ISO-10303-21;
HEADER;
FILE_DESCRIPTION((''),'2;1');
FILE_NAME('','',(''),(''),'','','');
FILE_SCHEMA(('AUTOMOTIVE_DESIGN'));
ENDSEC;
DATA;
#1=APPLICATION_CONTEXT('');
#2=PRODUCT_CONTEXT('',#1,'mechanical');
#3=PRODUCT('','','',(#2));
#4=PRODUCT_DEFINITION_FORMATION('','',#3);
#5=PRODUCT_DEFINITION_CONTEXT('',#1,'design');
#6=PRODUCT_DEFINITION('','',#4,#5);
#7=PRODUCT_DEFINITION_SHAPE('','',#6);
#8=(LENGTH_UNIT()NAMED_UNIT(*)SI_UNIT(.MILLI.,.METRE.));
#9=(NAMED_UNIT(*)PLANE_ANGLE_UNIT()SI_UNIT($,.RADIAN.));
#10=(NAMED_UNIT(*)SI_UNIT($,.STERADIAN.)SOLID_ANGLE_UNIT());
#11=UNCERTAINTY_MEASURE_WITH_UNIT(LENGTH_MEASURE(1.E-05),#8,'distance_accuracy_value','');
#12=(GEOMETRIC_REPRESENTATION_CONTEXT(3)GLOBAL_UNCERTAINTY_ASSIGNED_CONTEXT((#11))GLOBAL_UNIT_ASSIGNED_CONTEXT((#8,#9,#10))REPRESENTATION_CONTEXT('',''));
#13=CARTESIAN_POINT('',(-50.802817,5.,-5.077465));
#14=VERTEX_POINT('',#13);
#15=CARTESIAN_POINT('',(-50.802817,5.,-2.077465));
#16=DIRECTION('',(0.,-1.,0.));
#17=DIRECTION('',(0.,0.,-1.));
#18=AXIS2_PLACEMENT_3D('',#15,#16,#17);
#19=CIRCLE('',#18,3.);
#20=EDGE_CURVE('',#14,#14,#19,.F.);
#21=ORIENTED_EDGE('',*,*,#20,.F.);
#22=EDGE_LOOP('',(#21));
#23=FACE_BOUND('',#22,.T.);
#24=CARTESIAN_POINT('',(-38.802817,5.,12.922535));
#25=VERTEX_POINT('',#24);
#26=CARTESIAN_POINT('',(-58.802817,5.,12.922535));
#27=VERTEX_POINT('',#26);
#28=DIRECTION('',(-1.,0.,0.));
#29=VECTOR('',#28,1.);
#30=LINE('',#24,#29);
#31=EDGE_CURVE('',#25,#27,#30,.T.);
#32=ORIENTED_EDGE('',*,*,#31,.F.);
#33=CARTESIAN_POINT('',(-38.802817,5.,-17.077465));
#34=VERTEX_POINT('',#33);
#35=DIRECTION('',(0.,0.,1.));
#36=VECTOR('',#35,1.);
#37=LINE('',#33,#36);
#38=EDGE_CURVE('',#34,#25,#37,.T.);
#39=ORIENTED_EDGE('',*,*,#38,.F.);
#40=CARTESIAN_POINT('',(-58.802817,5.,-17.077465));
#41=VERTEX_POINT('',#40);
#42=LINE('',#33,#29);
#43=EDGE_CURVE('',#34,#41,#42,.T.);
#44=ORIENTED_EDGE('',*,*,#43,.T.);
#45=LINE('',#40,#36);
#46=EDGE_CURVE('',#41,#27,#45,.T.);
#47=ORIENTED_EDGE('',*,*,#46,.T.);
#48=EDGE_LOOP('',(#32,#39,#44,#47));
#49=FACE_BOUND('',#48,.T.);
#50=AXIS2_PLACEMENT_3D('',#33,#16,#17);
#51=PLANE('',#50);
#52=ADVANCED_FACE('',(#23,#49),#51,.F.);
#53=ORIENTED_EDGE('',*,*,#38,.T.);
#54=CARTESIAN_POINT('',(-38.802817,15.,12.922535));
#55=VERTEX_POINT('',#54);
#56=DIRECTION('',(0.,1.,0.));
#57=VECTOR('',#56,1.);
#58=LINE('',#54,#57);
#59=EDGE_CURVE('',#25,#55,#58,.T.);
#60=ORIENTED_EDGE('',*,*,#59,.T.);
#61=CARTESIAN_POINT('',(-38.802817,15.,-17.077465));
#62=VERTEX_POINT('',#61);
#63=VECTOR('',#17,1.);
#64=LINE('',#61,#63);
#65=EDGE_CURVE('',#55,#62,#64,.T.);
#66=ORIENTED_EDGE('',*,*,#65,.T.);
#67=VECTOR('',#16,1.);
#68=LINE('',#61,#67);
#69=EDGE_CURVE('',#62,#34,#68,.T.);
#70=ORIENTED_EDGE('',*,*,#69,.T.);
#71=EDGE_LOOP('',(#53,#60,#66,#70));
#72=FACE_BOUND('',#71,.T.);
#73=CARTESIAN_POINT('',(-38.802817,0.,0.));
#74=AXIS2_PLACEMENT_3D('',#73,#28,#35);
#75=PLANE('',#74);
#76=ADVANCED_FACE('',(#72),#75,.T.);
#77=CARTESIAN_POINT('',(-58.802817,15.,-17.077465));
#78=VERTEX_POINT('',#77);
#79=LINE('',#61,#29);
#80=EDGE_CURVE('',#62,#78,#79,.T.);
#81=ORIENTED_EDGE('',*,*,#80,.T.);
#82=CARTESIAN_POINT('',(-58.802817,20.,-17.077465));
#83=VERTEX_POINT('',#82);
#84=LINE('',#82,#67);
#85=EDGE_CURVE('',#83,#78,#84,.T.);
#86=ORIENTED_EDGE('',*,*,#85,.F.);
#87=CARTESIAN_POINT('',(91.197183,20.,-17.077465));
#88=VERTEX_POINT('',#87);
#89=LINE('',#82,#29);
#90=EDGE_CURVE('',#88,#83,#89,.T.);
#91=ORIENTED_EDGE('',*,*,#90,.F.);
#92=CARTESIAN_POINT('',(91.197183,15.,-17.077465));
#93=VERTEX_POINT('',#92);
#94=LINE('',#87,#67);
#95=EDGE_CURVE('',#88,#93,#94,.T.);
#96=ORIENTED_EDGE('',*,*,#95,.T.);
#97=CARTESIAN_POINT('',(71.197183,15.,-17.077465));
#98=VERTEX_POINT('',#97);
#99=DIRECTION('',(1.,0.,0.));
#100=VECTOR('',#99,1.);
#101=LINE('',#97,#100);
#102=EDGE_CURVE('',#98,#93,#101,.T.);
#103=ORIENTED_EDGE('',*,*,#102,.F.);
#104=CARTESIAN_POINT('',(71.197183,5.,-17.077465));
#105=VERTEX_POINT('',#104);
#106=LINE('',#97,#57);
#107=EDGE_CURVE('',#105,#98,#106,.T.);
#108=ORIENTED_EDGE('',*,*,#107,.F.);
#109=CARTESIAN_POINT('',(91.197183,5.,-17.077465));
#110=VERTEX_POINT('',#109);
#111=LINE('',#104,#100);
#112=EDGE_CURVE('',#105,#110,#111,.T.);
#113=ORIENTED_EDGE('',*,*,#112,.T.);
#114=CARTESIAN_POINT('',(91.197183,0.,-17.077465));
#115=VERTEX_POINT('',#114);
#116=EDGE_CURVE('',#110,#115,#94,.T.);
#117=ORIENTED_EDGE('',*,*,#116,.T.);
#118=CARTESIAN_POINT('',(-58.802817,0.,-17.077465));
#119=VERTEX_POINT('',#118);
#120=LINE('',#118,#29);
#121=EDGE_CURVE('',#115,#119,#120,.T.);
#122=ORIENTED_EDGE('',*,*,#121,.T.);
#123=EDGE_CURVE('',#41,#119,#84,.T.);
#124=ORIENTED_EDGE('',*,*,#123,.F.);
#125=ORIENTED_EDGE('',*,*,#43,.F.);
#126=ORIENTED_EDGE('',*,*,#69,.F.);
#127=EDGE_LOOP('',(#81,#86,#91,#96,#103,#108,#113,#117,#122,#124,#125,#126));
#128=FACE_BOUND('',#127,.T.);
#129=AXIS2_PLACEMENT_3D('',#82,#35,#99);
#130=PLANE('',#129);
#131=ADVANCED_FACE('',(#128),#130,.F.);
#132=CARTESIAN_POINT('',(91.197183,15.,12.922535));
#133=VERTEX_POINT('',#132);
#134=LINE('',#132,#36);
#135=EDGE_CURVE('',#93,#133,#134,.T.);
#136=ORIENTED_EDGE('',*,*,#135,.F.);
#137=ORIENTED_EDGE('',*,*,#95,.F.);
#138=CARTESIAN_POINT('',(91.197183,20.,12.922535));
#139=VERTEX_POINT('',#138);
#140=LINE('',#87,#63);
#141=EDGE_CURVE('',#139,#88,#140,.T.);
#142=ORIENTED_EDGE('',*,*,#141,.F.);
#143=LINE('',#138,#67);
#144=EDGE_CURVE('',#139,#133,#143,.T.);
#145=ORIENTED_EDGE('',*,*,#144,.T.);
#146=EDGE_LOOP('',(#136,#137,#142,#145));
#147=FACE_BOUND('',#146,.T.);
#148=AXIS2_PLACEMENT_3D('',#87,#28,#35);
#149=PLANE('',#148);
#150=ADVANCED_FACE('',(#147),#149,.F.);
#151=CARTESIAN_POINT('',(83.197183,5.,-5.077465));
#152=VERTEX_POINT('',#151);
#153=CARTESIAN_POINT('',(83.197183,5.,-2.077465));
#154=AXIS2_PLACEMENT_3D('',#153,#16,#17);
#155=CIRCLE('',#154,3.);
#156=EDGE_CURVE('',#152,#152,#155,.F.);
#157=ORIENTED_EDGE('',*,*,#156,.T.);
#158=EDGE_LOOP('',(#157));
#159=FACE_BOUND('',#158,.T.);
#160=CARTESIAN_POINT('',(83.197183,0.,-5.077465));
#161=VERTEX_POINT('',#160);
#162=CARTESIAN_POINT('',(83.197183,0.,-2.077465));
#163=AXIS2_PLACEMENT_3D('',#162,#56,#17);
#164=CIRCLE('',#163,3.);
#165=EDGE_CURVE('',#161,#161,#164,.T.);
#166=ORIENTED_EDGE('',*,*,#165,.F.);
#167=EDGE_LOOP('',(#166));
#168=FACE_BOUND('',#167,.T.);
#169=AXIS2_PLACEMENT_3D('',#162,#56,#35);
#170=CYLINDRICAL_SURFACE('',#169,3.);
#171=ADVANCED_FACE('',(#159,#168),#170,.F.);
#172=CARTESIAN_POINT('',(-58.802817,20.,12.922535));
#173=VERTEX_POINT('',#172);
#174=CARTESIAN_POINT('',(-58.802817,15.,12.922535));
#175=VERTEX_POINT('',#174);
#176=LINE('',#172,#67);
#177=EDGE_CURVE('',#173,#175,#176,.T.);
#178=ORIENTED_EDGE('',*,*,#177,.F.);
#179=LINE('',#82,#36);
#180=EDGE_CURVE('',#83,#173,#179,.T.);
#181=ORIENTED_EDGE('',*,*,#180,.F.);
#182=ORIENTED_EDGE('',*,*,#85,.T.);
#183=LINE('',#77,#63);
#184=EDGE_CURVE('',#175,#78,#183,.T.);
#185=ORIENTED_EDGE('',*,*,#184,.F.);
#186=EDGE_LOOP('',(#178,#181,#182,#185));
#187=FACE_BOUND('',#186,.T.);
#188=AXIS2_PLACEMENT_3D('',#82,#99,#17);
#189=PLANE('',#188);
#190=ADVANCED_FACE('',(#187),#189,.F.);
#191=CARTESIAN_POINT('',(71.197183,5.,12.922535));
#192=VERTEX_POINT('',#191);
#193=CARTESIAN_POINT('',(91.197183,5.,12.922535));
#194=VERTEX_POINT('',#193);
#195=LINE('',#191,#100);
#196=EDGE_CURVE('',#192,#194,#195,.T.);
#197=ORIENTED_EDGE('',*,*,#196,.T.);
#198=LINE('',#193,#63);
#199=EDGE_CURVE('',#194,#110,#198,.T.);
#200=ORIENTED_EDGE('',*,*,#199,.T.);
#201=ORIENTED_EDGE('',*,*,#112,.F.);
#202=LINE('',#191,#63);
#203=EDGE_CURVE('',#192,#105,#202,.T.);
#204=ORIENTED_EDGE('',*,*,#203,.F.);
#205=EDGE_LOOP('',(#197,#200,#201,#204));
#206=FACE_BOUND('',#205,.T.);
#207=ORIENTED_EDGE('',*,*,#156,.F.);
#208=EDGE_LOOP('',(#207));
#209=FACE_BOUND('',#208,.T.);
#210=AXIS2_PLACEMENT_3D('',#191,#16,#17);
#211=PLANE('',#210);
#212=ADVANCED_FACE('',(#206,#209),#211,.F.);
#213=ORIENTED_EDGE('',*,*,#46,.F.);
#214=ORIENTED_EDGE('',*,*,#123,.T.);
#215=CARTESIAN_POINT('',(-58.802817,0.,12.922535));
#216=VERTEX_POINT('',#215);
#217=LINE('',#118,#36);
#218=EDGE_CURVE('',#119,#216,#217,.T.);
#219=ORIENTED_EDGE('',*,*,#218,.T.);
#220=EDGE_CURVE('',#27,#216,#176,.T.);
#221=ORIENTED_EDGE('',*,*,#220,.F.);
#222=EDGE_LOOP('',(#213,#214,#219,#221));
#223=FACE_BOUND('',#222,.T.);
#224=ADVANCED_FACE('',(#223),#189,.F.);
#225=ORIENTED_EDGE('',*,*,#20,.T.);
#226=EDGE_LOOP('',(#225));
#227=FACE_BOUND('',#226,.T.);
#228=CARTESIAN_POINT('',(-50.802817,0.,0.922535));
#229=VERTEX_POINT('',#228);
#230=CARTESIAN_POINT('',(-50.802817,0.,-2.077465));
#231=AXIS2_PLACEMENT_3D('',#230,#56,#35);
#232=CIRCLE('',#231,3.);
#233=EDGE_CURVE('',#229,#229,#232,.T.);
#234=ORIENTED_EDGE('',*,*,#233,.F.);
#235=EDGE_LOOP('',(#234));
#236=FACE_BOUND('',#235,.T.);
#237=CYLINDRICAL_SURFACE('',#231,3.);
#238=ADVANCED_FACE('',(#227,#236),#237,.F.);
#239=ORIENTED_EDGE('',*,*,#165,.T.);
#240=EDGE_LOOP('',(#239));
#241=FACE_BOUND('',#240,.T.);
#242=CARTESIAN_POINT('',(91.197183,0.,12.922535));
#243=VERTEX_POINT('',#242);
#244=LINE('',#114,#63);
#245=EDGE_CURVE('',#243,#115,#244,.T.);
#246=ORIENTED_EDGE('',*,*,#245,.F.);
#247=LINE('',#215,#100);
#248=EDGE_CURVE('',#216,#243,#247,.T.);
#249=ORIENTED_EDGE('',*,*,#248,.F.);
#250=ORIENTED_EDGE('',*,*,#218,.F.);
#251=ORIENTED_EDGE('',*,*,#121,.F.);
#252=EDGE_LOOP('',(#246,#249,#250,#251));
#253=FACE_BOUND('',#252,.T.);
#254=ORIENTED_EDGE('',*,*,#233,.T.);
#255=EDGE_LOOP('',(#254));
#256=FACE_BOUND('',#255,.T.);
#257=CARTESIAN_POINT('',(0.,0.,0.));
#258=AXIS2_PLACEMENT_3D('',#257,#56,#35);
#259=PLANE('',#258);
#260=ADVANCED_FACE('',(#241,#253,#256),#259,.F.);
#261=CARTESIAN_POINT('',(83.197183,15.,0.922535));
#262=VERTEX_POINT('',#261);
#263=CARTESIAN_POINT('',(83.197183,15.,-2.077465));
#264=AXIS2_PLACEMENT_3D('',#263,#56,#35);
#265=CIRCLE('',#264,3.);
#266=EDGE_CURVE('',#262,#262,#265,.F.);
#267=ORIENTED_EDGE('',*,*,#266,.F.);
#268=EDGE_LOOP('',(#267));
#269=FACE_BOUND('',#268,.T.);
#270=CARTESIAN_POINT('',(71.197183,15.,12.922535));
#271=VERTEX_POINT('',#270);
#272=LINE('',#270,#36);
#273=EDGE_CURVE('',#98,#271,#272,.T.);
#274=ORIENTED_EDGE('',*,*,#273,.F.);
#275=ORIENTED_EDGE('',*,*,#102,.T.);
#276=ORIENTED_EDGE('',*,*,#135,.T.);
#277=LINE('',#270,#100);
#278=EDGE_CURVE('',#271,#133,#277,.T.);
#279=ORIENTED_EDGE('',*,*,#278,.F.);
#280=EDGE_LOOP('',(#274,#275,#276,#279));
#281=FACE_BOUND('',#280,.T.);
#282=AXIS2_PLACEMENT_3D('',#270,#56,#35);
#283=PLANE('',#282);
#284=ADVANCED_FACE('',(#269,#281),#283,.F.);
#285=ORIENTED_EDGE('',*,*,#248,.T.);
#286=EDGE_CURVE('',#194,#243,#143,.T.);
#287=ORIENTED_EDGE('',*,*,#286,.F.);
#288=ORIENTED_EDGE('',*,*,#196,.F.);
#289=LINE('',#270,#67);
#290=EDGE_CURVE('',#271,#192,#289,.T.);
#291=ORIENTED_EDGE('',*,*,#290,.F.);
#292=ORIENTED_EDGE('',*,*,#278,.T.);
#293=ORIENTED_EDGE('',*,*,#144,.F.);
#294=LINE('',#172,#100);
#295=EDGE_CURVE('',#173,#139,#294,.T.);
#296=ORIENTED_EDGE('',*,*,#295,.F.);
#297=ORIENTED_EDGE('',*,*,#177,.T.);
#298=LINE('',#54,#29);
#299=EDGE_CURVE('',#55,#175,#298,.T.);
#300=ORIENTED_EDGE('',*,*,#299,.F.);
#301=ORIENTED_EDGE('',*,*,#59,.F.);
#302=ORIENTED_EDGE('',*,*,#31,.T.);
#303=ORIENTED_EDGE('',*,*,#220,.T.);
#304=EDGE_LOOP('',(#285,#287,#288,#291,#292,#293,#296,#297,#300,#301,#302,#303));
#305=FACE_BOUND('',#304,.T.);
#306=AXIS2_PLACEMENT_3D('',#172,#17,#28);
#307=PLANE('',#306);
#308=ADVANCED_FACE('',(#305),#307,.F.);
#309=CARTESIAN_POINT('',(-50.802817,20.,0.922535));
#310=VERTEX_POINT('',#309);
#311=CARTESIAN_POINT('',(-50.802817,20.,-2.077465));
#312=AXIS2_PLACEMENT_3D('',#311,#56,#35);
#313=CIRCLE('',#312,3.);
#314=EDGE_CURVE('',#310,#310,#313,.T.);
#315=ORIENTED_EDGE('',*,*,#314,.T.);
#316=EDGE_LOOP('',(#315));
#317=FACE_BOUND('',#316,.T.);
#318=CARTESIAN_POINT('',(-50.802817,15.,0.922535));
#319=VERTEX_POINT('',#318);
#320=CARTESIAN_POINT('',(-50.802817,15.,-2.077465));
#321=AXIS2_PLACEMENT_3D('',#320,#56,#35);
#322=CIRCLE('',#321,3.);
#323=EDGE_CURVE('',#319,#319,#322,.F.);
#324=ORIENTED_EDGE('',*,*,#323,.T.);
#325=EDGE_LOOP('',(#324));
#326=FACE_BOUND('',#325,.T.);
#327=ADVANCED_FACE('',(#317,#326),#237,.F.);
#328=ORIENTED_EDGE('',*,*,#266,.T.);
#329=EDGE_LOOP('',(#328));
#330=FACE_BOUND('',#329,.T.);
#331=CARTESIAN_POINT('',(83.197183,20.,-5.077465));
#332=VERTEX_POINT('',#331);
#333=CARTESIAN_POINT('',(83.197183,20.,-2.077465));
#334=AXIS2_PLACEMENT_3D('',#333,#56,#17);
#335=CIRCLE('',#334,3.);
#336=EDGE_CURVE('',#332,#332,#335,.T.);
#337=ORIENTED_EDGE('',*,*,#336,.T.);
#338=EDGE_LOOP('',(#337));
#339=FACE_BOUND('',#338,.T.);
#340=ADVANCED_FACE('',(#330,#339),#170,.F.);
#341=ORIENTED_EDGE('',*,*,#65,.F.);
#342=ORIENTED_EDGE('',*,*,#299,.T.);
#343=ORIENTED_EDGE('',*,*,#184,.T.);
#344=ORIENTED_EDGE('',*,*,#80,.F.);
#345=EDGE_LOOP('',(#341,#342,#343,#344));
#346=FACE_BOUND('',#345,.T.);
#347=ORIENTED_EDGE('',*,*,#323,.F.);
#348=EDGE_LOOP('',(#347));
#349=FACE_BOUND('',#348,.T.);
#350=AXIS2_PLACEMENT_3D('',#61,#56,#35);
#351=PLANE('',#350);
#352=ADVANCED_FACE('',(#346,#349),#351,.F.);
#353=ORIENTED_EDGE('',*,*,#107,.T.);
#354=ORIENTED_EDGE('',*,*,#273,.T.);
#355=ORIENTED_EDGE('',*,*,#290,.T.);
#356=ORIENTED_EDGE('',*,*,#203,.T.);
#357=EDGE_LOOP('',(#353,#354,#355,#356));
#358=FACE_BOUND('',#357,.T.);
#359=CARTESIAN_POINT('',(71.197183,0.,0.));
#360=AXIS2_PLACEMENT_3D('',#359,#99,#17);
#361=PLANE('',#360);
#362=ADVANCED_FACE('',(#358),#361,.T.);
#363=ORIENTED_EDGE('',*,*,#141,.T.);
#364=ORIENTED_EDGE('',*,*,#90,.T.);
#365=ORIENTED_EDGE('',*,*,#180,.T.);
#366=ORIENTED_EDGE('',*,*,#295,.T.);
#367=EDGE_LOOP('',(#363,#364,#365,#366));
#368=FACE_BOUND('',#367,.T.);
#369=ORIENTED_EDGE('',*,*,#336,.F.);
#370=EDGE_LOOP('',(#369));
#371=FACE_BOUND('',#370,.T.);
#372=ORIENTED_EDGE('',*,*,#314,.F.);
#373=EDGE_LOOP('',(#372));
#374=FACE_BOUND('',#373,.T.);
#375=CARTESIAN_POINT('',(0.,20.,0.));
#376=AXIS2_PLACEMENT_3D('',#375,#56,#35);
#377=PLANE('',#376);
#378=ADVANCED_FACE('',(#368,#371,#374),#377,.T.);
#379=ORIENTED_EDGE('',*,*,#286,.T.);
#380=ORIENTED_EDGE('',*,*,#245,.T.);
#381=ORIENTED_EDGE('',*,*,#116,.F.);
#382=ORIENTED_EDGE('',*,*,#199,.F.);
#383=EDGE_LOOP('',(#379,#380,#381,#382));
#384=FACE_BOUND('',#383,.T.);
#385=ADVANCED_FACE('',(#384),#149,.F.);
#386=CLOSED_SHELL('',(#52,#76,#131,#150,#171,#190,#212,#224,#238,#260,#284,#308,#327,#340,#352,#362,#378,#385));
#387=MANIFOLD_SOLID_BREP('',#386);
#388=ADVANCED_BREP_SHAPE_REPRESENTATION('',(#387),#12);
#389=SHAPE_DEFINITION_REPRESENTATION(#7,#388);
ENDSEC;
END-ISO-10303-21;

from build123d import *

# Parameters (mm, degrees)
SKETCH1_W           = 150
SKETCH1_H           = 30
BOSS_EXTRUDE1_DEPTH = 20
SKETCH2_R           = 3
CUT_EXTRUDE1_DEPTH  = 20
SKETCH3_W           = 30
SKETCH3_H           = 10
CUT_EXTRUDE2_DEPTH  = 20
SKETCH4_W           = 30
SKETCH4_H           = 10
CUT_EXTRUDE3_DEPTH  = 20


with BuildPart() as part:
    # Sketch1 → Boss-Extrude1 (new body)
    with BuildSketch(Plane(origin=(0, 0, 0), x_dir=(1, 0, 0), z_dir=(0, 1, 0))):
        with Locations((16.197183099, 2.077464789)):
            Rectangle(SKETCH1_W, SKETCH1_H)
    extrude(amount=BOSS_EXTRUDE1_DEPTH)

    # Sketch2 → Cut-Extrude1 (cut)
    with BuildSketch(Plane(origin=(0, 20, 0), x_dir=(1, 0, 0), z_dir=(0, 1, 0))):
        with Locations(Location((-50.802816901, 2.077464789, 0), (0, 0, 270))):
            Circle(SKETCH2_R)
        with Locations(Location((83.197183099, 2.077464789, 0), (0, 0, 90))):
            Circle(SKETCH2_R)
    extrude(amount=-CUT_EXTRUDE1_DEPTH, mode=Mode.SUBTRACT)

    # Sketch3 → Cut-Extrude2 (cut)
    with BuildSketch(Plane.ZY.offset(58.802816901)):
        with Locations((-2.077464789, 10)):
            Rectangle(SKETCH3_W, SKETCH3_H)
    extrude(amount=-CUT_EXTRUDE2_DEPTH, mode=Mode.SUBTRACT)

    # Sketch4 → Cut-Extrude3 (cut)
    with BuildSketch(Plane(origin=(91.197183099, 0, 0), x_dir=(0, 0, -1), z_dir=(1, 0, 0))):
        with Locations((2.077464789, 10)):
            Rectangle(SKETCH4_W, SKETCH4_H)
    extrude(amount=-CUT_EXTRUDE3_DEPTH, mode=Mode.SUBTRACT)


solid = part.part
